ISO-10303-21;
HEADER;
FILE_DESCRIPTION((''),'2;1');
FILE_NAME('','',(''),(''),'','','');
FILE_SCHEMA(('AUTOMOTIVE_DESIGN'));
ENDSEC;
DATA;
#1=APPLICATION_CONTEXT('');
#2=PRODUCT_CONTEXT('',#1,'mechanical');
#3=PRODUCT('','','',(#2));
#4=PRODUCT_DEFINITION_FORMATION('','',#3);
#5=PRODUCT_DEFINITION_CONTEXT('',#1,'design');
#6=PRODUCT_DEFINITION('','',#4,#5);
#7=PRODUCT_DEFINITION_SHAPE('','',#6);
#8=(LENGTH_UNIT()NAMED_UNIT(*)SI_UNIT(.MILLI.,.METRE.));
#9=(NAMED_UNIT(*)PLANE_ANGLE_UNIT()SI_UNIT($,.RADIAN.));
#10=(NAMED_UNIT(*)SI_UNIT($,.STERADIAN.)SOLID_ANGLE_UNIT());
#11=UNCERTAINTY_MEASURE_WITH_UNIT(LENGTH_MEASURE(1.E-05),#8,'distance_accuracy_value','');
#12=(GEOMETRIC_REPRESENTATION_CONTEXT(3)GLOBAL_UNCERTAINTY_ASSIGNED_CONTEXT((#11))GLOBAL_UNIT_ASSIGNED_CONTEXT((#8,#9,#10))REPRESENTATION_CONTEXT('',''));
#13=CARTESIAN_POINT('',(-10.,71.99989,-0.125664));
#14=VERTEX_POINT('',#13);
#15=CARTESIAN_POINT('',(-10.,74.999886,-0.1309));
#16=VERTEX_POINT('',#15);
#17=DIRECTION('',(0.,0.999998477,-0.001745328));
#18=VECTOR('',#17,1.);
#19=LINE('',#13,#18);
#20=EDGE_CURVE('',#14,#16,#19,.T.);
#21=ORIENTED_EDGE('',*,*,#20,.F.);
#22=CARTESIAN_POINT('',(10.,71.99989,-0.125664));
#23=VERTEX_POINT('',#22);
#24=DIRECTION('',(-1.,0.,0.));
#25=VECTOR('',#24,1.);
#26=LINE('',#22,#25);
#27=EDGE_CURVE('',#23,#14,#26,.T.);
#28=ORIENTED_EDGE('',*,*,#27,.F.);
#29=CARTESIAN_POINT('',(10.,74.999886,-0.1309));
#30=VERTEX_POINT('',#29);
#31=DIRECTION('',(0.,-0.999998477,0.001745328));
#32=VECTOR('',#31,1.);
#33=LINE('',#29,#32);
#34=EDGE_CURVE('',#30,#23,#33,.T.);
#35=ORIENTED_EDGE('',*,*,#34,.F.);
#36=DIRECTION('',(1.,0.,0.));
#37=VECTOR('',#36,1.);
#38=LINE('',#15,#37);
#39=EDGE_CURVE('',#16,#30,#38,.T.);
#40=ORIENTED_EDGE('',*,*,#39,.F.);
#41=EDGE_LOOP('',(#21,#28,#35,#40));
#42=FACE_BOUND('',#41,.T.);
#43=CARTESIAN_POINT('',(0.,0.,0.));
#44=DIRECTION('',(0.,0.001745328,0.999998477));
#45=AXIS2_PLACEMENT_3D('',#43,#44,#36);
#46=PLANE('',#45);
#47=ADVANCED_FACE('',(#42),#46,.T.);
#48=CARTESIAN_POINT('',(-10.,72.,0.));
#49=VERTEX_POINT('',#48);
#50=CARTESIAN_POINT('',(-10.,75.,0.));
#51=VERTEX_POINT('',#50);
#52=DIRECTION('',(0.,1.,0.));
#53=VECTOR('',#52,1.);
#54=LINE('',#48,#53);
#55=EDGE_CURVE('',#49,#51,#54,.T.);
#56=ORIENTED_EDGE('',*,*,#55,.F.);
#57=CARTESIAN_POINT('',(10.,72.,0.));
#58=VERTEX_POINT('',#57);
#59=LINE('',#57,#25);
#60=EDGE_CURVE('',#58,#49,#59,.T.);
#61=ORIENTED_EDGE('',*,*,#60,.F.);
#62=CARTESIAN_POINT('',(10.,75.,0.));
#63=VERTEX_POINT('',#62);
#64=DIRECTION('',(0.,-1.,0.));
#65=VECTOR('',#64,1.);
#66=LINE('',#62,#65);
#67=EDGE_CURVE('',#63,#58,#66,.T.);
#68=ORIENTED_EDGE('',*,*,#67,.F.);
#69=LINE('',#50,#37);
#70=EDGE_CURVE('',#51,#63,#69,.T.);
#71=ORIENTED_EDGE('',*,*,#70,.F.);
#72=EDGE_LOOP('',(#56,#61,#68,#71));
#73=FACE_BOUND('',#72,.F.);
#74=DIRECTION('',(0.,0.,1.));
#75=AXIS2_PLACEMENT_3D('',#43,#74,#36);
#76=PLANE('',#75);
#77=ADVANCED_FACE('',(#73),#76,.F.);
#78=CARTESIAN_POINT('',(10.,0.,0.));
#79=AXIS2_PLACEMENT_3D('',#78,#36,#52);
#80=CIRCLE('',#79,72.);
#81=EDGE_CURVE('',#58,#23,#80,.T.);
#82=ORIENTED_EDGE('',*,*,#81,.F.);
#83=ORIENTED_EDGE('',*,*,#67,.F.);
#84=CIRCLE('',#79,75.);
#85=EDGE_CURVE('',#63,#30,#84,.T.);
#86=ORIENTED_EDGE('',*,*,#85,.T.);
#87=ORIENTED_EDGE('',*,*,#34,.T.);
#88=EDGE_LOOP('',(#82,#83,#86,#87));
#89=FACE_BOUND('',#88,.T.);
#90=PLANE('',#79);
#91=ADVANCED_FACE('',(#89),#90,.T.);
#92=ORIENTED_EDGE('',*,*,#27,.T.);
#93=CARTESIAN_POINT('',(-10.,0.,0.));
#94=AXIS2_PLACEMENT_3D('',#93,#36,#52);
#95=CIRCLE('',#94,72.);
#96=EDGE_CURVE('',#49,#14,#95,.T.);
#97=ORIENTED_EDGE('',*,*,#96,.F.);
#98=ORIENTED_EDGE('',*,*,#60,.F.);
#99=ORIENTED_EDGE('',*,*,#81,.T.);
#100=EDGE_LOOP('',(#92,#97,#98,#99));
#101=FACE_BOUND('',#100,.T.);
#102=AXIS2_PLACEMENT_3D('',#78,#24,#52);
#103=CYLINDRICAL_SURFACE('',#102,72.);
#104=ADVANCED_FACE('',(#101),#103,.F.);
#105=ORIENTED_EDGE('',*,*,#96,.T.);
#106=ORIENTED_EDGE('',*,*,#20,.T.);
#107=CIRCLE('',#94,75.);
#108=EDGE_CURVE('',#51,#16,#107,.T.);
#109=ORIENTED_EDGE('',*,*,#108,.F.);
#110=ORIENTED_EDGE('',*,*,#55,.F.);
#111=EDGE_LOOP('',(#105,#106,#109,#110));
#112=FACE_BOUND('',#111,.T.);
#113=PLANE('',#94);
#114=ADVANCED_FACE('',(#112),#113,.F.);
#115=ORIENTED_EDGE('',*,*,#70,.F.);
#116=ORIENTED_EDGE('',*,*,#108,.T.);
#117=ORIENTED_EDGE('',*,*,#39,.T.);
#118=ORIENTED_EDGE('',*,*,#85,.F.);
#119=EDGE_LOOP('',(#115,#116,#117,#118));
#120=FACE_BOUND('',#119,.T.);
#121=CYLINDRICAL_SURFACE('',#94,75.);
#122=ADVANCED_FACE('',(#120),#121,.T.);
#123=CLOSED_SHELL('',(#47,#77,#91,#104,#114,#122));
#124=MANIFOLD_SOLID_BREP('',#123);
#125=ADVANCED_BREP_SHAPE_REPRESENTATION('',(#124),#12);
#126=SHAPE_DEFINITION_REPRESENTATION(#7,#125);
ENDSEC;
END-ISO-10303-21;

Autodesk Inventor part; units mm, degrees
ref_plane "YZ Plane" through (0, 0, 0) normal (1, 0, 0) x (0, 1, 0)
ref_plane "XZ Plane" through (0, 0, 0) normal (0, 1, 0) x (-1, 0, 0)
ref_plane "XY Plane" through (0, 0, 0) normal (0, 0, 1) x (1, 0, 0)
sketch "Sketch1" plane through (0, 0, 0) normal (0, 0, 1) x (1, 0, 0)
  line L0 (-10, 75) -> (10, 75)
  line L1 (10, 75) -> (10, 72)
  line L2 (10, 72) -> (-10, 72)
  line L3 (-10, 72) -> (-10, 75)
  line L4 (-14, 0) -> (14, 0) projected
  point P0 (0, 0)
  point P1 (0, 75)
  dimension "d2" = 3
  dimension "d3" = 20
  dimension "d4" = 75
revolve "Revolution1" add sketch "Sketch1" angle 359.9 about axis through (-10, 0, 0) along (1, 0, 0)
equation "\"BendReliefWidth\" = Thickness"
equation "\"BendReliefDepth\" = 0.5 * Thickness"
equation "\"CornerReliefSize\" = 4 * Thickness"
equation "\"MinimumRemnant\" = 2 * Thickness"
equation "\"TransitionRadius\" = BendRadius"
equation "\"JacobiRadiusSize\" = BendRadius"
equation "\"GapSize\" = Thickness"
equation "\"Thickness\" = 3"
equation "\"BendRadius\" = 5"
properties part number "MSC 405 flange cover ring 500" material "Stainless Steel"
